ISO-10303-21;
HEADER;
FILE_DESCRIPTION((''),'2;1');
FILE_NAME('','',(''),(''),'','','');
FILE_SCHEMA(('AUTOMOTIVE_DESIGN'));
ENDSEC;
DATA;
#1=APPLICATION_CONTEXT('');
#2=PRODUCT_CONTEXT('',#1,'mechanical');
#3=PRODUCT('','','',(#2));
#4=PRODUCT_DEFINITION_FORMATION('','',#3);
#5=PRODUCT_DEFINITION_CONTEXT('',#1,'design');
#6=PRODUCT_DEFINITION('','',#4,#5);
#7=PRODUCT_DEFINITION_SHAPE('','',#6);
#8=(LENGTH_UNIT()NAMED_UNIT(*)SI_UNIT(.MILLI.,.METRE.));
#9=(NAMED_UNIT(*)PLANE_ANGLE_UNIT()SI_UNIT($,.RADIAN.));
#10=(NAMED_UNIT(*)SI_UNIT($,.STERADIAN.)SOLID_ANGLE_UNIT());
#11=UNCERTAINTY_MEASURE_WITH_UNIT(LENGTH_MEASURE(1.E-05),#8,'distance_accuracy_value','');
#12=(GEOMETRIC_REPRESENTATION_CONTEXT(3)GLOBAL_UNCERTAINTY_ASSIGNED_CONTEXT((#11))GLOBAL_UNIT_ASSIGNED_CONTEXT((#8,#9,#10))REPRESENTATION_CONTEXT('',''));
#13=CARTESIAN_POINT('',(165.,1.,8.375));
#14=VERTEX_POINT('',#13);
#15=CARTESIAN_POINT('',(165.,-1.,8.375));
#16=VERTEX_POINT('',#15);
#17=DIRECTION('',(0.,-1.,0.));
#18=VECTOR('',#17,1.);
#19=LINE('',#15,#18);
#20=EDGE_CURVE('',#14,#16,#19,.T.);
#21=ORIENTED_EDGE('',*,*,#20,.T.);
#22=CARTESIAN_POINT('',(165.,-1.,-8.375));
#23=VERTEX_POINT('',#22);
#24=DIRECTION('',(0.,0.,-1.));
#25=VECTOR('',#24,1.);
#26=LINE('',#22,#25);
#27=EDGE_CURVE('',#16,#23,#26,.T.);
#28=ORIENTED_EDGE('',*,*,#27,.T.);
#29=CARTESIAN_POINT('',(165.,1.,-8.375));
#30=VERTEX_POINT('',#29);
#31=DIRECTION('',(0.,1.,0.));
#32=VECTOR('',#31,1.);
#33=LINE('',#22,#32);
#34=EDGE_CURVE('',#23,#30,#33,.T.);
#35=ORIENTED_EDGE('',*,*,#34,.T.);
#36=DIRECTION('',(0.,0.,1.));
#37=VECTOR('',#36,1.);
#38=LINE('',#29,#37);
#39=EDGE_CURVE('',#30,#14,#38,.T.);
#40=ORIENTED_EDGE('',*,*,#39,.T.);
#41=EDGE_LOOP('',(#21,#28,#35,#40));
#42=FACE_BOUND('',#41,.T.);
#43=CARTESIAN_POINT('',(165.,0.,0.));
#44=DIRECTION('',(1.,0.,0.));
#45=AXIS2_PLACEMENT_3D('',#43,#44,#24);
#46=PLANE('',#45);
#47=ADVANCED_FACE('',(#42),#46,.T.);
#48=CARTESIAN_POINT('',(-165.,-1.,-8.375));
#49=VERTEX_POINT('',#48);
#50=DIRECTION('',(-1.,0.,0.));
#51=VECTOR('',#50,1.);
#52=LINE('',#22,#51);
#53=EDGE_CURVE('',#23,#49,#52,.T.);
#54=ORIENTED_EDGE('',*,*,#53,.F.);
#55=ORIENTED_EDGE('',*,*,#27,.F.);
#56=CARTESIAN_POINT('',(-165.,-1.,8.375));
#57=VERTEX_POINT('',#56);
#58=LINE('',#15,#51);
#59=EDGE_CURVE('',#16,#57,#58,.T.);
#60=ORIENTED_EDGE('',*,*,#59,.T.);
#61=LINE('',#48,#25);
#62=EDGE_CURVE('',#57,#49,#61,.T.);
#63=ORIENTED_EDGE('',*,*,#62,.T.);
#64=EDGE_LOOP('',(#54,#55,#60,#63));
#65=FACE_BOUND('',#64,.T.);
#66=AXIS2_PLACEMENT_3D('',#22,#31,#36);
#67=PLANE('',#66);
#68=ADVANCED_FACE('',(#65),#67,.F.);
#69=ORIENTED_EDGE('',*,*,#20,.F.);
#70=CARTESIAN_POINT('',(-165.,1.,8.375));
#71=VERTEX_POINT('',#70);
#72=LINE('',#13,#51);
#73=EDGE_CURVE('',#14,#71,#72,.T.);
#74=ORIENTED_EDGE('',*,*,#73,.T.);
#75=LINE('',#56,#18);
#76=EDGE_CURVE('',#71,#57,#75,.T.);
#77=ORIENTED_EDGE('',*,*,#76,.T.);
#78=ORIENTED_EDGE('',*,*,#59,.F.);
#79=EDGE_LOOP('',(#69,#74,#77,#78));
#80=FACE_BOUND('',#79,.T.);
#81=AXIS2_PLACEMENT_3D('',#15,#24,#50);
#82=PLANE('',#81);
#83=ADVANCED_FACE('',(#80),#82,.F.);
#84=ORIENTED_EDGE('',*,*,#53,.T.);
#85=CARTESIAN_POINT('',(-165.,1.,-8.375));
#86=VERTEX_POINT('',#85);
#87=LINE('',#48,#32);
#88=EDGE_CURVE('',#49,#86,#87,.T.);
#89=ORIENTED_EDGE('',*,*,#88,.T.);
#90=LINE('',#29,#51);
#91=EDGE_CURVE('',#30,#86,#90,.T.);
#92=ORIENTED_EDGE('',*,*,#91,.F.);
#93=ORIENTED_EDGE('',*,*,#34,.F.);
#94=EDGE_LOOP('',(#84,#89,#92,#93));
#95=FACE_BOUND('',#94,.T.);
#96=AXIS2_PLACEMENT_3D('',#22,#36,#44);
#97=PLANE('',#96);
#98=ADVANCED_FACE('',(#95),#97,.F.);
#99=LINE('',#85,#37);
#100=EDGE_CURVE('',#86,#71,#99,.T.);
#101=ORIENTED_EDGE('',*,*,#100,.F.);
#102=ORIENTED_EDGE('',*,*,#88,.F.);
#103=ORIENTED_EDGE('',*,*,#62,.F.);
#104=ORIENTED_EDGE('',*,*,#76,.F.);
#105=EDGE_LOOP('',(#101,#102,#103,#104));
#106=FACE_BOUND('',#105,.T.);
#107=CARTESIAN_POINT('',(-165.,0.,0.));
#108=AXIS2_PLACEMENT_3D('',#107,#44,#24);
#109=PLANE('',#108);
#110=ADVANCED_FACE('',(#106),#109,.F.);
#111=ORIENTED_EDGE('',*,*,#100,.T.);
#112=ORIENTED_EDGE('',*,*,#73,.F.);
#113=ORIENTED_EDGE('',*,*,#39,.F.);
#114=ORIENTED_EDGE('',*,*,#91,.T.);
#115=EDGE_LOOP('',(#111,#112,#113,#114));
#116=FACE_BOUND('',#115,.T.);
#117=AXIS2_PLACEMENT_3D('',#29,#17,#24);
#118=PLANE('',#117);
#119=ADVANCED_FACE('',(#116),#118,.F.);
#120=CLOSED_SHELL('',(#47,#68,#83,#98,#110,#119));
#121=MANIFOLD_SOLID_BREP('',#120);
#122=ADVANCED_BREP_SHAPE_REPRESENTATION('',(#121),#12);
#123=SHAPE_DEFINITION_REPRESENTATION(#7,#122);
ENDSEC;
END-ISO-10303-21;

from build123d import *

# Parameters (mm, degrees)
SKETCH1_W           = 16.75
SKETCH1_H           = 2
BOSS_EXTRUDE1_DEPTH = 165


with BuildPart() as part:
    # Sketch1 → Boss-Extrude1 (new body, symmetric)
    with BuildSketch(Plane(origin=(0, 0, 0), x_dir=(0, 0, -1), z_dir=(1, 0, 0))):
        Rectangle(SKETCH1_W, SKETCH1_H)
    extrude(amount=BOSS_EXTRUDE1_DEPTH, both=True)


solid = part.part
